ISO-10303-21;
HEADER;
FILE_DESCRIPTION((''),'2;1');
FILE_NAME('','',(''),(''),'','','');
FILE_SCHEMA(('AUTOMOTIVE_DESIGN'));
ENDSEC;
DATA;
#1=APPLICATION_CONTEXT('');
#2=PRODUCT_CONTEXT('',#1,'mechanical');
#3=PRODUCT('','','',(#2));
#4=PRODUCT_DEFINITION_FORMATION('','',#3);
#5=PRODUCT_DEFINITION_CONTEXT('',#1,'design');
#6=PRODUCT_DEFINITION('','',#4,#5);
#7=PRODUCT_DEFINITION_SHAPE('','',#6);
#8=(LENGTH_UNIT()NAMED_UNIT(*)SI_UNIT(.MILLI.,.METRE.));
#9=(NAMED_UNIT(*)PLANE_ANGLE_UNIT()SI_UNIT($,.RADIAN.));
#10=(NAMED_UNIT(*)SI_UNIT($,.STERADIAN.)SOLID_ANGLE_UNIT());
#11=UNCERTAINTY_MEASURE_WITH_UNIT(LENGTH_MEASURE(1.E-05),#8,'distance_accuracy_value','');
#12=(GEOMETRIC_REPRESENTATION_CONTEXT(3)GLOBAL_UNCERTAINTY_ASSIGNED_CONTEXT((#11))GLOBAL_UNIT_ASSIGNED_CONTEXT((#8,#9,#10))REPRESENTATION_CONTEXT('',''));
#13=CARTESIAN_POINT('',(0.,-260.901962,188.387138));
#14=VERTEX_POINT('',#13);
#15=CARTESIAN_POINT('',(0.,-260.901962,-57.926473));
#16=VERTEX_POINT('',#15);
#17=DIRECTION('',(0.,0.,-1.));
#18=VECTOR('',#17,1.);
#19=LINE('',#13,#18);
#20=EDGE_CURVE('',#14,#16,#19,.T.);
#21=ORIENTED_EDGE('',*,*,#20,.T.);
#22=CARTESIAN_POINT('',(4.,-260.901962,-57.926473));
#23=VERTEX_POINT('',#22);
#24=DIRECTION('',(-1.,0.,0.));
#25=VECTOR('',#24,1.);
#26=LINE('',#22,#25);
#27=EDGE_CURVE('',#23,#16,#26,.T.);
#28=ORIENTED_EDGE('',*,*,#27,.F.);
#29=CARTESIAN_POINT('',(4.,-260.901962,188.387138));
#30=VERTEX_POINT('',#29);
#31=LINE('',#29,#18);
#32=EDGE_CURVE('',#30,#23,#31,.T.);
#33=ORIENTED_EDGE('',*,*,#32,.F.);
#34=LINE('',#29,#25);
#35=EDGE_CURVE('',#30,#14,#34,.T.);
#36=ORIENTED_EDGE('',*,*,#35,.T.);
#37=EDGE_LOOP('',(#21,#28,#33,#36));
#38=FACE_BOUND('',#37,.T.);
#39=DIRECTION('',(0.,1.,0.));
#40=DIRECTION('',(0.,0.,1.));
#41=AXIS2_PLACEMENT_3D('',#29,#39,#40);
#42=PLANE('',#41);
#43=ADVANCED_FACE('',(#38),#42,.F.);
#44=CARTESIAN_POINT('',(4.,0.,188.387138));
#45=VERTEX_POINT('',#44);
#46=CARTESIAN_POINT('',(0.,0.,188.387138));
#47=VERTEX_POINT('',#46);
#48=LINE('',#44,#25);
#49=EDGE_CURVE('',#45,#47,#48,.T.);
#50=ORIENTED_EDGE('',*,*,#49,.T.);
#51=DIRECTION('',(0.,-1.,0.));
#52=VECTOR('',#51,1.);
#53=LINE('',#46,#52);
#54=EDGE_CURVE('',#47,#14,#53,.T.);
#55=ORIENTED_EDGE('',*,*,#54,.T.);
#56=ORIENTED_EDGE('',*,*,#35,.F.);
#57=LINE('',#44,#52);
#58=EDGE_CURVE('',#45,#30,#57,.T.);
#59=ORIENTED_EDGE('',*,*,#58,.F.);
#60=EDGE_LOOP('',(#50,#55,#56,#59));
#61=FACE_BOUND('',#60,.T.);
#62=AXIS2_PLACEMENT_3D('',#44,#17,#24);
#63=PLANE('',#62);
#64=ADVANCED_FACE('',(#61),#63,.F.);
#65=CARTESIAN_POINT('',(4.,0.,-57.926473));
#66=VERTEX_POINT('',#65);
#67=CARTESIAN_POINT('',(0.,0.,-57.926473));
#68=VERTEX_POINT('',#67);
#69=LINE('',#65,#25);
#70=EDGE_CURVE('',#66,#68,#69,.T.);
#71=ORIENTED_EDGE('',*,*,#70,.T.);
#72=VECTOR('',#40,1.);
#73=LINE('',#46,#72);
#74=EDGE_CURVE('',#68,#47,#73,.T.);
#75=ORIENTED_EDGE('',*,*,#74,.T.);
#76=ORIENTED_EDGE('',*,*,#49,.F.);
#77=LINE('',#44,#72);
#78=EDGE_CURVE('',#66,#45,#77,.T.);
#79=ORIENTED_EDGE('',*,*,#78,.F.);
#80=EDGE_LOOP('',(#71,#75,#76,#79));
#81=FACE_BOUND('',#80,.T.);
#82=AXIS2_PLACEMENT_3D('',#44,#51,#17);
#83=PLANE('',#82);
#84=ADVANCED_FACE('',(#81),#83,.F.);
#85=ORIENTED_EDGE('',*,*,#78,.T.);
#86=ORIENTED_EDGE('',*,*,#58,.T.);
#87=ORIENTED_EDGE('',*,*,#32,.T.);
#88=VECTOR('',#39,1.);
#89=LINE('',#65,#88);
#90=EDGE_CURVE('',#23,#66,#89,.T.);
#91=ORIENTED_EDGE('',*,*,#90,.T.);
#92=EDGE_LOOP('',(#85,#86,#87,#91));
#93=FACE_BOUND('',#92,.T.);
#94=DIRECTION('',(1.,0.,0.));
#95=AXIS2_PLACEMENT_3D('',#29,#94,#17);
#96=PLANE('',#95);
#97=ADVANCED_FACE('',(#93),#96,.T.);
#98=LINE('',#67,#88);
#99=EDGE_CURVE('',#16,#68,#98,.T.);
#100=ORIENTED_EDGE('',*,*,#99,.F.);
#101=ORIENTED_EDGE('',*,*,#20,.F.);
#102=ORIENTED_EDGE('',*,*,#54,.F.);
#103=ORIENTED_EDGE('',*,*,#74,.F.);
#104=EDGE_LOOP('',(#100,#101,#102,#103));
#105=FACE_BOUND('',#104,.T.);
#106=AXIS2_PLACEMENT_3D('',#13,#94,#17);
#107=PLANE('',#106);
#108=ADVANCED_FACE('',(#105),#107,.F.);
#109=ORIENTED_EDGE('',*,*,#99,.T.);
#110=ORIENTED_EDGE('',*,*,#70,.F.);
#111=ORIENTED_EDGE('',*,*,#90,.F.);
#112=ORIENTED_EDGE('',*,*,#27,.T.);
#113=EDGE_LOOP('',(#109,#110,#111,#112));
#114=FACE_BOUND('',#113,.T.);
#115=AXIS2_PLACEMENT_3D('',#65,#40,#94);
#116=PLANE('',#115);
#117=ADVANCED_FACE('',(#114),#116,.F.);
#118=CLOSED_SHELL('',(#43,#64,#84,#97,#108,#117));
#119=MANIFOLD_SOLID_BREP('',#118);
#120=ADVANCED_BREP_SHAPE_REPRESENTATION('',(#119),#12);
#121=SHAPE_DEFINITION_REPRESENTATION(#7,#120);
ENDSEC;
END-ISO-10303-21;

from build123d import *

# Parameters (mm, degrees)
SKETCH_1_W      = 246.313610761
SKETCH_1_H      = 260.901962248
EXTRUDE_1_DEPTH = 4


with BuildPart() as part:
    # Эскиз1 → Вытянуть1 (new body)
    with BuildSketch(Plane(origin=(0, 0, 0), x_dir=(0, 0, -1), z_dir=(1, 0, 0))):
        with Locations((-65.230332586, -130.450981124)):
            Rectangle(SKETCH_1_W, SKETCH_1_H)
    extrude(amount=EXTRUDE_1_DEPTH)


solid = part.part
